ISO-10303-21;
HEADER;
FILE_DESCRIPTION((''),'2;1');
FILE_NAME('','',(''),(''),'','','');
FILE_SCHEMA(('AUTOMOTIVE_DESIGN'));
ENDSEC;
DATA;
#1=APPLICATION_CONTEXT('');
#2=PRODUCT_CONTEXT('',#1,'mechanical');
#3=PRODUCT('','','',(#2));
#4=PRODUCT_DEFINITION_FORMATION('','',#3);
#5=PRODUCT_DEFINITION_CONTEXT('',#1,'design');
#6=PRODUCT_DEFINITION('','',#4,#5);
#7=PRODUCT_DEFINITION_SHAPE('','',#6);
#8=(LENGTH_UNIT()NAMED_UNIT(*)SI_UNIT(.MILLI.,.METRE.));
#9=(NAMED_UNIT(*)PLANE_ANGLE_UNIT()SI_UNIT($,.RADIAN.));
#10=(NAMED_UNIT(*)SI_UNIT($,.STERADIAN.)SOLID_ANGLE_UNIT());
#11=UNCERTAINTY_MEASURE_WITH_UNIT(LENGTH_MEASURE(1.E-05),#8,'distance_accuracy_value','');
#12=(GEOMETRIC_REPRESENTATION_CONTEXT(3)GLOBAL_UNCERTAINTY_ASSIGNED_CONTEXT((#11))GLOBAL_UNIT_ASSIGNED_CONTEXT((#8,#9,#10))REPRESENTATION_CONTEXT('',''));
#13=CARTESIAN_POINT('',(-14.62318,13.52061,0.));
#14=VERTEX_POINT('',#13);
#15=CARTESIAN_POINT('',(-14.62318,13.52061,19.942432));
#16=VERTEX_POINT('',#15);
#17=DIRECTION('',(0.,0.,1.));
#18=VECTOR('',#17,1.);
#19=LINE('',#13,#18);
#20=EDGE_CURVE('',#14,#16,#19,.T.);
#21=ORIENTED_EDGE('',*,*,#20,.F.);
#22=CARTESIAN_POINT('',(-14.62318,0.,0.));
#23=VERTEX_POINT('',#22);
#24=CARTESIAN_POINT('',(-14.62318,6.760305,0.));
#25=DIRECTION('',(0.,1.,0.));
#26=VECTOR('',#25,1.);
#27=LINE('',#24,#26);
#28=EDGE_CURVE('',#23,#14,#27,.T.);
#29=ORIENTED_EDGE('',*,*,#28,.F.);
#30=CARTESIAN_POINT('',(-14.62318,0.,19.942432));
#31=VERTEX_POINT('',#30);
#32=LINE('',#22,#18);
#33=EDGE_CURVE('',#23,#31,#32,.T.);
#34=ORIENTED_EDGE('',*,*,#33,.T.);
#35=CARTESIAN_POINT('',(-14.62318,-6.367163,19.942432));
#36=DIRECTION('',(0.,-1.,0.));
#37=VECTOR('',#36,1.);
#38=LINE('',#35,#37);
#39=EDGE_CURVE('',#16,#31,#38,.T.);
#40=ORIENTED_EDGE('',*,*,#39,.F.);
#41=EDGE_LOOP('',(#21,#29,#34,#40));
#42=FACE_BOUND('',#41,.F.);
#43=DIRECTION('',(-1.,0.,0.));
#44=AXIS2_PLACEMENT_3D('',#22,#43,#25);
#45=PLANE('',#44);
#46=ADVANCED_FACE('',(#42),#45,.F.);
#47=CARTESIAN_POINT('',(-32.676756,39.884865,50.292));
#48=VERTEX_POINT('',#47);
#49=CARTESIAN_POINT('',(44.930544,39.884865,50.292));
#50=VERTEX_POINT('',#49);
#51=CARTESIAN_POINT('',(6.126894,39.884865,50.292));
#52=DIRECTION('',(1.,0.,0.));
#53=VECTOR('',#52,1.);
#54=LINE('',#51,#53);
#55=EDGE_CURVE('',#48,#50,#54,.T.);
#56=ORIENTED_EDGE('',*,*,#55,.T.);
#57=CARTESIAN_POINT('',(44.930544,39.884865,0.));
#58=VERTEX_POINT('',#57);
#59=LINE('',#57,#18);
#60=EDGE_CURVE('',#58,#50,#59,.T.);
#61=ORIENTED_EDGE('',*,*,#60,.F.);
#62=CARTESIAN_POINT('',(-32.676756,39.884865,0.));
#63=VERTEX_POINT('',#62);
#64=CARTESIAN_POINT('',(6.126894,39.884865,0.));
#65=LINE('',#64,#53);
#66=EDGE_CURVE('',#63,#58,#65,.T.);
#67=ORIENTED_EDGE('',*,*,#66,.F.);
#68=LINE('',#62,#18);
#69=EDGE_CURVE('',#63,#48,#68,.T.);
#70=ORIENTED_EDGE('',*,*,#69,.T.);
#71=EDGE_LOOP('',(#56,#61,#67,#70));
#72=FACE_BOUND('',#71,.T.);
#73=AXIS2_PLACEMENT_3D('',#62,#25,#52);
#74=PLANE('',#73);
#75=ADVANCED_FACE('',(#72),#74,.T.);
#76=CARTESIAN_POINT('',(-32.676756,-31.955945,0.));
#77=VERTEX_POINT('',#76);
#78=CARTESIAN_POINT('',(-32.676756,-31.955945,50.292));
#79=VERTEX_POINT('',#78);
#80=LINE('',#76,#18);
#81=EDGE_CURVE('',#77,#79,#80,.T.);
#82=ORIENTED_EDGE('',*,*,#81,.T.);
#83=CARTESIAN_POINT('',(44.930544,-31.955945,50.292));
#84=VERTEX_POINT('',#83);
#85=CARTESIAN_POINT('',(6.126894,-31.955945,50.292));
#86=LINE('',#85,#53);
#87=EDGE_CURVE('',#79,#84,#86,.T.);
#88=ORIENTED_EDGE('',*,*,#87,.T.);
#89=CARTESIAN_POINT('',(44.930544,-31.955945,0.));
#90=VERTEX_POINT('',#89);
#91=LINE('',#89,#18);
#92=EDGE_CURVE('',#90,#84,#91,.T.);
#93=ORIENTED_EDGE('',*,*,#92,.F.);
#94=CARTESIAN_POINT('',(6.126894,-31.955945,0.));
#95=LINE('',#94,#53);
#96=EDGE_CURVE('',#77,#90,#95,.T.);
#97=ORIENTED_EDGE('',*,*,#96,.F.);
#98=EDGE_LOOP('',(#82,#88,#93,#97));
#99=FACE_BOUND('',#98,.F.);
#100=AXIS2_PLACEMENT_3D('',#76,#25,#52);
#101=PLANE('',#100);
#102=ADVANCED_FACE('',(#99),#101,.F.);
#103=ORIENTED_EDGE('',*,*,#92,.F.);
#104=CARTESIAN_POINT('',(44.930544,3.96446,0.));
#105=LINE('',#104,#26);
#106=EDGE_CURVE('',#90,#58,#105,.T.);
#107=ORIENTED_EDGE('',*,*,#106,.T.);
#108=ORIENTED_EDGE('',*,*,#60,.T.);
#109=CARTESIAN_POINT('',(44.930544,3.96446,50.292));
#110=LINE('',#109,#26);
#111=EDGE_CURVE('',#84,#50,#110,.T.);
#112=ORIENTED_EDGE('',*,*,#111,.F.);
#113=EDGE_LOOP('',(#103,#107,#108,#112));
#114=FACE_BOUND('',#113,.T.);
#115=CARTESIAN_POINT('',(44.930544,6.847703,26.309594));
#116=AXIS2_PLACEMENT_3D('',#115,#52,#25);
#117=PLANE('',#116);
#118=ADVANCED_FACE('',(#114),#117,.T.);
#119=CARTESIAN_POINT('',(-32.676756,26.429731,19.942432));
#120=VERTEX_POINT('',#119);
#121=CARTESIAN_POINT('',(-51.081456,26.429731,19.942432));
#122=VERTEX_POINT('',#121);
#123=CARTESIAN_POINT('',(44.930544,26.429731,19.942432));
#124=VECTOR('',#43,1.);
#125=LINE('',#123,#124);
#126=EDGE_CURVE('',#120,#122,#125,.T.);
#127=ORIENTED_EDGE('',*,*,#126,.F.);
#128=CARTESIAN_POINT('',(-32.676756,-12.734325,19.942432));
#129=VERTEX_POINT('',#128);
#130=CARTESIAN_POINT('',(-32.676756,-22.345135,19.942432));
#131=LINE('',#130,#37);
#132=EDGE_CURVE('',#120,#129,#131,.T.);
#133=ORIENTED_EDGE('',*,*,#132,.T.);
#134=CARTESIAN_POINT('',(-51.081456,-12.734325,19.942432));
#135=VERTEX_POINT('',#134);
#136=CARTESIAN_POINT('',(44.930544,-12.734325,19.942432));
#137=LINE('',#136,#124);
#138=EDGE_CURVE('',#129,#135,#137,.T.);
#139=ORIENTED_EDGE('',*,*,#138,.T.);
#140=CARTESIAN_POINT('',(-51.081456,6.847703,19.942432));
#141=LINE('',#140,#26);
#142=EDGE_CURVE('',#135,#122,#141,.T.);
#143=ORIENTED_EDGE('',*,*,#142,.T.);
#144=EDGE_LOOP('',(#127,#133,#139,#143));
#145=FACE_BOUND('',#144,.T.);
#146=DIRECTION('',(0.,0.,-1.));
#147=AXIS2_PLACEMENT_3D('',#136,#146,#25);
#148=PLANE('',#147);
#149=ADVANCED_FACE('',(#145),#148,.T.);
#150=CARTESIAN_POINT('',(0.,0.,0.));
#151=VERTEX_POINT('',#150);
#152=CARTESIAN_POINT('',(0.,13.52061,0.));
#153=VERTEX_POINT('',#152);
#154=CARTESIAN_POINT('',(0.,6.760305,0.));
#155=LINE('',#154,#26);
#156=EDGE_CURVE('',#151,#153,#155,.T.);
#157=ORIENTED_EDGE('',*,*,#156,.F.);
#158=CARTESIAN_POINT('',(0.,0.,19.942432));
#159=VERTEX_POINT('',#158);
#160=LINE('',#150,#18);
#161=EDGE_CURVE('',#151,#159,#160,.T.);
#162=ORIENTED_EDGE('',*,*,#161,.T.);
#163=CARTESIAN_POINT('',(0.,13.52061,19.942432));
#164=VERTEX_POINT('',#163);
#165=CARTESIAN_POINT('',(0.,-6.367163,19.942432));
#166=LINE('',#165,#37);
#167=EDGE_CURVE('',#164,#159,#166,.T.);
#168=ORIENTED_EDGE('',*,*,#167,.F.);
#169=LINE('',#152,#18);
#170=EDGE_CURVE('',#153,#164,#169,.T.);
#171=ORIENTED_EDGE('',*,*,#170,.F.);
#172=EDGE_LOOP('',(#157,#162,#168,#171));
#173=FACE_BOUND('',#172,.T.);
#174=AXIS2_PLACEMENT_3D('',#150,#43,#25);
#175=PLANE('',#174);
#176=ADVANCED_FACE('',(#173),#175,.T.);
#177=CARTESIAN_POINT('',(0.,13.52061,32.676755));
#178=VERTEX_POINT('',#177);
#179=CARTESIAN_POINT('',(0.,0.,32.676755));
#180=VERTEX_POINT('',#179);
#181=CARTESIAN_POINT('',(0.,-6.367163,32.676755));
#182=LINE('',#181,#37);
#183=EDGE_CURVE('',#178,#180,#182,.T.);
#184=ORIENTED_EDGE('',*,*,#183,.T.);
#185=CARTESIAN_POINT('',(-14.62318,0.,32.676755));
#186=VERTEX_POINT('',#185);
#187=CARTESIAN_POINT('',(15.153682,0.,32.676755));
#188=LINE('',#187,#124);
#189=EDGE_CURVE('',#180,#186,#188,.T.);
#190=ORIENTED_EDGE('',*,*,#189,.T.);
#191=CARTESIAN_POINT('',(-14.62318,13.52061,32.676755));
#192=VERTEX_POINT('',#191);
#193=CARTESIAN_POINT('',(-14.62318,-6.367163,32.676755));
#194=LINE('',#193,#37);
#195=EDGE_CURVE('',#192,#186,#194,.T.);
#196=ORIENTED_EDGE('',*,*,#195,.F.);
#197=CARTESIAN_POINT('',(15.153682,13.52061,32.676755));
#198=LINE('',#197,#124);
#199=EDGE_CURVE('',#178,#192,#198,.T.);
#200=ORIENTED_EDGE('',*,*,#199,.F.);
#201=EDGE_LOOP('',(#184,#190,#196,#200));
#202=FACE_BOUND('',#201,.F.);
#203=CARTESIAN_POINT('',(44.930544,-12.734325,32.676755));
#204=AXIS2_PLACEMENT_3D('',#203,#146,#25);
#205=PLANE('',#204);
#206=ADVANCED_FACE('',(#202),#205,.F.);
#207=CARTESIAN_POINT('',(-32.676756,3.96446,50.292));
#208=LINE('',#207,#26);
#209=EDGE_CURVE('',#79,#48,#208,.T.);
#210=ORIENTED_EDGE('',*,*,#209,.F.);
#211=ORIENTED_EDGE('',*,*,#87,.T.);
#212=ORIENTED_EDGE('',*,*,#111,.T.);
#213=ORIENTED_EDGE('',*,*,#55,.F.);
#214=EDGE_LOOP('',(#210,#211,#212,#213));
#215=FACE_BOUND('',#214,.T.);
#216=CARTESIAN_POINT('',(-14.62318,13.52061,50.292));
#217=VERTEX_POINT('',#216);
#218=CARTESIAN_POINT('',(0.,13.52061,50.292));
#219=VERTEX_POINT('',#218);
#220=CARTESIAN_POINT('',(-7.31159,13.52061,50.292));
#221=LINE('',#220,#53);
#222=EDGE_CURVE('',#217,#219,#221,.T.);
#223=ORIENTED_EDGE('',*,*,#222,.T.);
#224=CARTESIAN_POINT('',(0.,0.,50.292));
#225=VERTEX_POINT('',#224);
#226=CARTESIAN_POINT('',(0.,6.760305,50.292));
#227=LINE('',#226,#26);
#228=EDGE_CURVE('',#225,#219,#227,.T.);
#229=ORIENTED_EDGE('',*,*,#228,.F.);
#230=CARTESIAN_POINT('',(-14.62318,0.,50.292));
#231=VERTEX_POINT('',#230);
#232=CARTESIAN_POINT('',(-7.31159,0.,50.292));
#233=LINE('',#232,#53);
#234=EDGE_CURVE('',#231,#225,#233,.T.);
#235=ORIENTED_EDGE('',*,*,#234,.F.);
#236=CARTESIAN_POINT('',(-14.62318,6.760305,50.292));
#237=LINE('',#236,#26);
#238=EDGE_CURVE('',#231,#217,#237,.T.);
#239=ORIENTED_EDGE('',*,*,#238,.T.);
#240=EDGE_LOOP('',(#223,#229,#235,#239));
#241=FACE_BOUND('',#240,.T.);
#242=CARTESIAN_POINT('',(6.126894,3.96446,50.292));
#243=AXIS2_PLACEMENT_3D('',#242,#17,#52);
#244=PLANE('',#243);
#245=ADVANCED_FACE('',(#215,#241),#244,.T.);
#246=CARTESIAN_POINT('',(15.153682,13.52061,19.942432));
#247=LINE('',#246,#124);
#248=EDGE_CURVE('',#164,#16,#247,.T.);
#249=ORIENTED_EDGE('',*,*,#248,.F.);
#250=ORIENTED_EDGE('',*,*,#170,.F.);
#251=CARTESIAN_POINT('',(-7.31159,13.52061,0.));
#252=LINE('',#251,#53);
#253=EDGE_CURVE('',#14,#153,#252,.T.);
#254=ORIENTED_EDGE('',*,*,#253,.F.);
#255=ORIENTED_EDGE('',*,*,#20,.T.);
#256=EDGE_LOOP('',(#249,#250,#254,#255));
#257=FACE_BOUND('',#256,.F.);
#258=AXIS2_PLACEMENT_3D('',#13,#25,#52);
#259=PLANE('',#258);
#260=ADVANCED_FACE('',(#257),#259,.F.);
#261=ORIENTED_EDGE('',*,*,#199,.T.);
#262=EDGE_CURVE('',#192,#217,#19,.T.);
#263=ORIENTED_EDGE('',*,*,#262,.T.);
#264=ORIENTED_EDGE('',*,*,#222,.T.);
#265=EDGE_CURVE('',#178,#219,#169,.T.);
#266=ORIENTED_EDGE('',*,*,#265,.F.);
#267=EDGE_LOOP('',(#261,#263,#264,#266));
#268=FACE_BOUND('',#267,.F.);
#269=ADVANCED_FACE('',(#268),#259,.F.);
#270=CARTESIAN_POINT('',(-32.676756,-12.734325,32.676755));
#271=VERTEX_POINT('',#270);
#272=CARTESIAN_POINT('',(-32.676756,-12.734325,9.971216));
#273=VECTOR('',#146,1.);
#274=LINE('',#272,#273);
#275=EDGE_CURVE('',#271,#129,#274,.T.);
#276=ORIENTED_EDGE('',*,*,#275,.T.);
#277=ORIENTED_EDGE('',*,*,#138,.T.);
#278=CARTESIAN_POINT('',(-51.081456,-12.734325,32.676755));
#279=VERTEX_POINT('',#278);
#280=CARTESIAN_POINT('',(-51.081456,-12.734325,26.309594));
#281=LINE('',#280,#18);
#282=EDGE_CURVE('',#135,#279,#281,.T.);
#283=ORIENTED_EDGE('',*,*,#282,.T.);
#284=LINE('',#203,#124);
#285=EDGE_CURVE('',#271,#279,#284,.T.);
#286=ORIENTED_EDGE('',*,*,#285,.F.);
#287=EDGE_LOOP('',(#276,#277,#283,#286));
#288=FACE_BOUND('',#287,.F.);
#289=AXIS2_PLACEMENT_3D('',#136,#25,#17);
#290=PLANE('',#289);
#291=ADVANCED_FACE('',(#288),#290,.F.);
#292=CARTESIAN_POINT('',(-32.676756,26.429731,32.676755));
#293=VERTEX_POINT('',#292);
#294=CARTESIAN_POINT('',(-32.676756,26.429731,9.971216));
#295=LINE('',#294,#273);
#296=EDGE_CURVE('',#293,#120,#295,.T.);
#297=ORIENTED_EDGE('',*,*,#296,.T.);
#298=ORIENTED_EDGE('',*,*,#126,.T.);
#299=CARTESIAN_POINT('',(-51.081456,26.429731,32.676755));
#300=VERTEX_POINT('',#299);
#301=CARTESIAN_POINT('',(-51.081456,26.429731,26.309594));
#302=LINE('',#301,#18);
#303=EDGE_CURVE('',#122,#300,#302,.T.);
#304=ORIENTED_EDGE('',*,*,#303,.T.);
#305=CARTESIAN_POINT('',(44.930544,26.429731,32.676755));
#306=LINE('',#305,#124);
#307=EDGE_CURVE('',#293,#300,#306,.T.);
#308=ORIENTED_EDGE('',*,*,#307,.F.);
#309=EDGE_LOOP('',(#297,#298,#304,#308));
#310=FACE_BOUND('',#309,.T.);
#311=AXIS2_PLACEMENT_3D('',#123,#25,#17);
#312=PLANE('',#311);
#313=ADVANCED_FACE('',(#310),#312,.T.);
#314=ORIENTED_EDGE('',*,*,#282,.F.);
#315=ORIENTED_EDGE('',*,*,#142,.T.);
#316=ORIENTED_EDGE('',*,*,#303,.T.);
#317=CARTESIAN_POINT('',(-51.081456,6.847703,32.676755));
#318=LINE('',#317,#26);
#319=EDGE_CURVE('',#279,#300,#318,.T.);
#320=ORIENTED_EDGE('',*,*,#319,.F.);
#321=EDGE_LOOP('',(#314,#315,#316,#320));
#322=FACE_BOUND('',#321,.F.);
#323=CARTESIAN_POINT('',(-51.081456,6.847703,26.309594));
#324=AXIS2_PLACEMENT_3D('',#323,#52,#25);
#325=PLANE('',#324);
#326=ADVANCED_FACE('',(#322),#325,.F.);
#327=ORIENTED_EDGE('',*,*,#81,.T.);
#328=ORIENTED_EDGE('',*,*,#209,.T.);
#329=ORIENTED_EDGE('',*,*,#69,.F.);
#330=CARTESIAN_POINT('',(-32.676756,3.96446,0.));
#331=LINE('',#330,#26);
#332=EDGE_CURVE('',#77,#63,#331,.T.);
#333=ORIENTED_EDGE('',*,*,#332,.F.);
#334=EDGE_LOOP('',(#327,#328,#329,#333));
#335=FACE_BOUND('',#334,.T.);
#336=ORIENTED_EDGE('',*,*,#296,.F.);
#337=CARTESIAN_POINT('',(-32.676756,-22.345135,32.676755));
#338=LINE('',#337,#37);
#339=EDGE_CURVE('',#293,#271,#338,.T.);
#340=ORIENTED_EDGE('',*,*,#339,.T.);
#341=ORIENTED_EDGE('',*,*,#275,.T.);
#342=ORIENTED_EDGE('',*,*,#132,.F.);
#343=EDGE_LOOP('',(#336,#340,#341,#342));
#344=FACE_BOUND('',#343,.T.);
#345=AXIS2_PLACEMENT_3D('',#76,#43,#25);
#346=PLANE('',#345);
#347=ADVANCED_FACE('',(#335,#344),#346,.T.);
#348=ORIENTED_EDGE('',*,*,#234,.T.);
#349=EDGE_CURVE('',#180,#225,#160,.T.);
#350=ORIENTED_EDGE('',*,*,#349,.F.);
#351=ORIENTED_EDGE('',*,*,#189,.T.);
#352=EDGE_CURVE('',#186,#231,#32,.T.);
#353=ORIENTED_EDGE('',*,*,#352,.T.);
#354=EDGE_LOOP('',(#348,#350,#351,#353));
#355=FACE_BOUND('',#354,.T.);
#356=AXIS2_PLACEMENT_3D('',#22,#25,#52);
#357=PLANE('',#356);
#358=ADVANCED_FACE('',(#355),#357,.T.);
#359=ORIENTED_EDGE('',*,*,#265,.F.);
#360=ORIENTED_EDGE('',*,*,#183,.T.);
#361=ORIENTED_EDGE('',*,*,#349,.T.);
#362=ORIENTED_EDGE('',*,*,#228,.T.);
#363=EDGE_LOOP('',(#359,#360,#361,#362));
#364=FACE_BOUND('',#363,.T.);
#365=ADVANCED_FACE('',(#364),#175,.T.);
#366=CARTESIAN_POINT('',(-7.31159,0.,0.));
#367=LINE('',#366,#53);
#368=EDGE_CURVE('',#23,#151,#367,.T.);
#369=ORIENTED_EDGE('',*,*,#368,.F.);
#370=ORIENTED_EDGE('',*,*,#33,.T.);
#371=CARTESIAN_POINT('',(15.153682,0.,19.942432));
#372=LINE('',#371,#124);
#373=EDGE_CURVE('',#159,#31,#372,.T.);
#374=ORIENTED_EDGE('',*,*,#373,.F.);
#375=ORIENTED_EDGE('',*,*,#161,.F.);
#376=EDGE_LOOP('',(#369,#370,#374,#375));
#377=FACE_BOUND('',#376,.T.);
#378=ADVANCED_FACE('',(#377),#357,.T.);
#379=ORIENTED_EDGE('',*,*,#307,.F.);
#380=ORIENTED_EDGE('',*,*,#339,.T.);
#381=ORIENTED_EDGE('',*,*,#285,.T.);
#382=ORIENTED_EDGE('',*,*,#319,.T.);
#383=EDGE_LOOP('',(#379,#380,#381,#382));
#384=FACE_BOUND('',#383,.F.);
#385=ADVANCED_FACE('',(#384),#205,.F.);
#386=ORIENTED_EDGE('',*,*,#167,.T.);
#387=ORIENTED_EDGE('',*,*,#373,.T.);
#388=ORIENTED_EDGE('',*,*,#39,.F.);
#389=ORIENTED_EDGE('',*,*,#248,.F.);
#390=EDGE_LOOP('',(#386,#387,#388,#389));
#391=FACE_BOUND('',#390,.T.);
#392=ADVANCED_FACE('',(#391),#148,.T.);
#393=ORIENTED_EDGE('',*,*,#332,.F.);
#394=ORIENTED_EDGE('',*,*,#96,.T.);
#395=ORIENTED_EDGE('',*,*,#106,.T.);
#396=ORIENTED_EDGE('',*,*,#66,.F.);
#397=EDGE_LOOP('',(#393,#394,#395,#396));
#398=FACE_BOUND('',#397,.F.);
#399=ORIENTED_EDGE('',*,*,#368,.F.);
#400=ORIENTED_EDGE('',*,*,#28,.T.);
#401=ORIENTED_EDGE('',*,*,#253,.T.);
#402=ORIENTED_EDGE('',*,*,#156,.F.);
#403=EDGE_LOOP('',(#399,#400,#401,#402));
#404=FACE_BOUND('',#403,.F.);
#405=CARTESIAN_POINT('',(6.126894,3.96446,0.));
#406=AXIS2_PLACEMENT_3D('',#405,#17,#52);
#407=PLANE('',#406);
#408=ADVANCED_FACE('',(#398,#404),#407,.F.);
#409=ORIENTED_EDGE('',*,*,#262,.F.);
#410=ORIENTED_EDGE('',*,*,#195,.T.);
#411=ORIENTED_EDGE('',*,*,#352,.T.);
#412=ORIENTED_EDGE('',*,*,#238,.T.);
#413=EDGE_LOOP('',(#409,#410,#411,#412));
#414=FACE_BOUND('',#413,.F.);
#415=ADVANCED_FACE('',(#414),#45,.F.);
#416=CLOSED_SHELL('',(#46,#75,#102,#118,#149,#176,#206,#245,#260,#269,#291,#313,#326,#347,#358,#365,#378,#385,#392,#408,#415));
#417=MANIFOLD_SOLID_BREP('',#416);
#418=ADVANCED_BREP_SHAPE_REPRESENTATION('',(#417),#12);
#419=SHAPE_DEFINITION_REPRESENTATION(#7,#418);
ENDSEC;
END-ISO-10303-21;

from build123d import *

# Parameters (mm, degrees)
F0_W     = 77.6073
F0_H     = 71.840811
F0_W_2   = 14.62318
F0_H_2   = 13.52061
F1_DEPTH = 50.292
F2_W     = 39.164056
F2_H     = 12.734323
F3_DEPTH = 96.012


with BuildPart() as f1:
    # F0 (on Top) → F1 (new body)
    with BuildSketch(Plane.XY):
        with Locations((6.126894, 3.96446)):
            Rectangle(F0_W, F0_H)
        with Locations((-7.31159, 6.760305)):
            Rectangle(F0_W_2, F0_H_2, mode=Mode.SUBTRACT)
    extrude(amount=F1_DEPTH)

    # F2 (on face) → F3 (join)
    with BuildSketch(Plane.YZ.offset(44.930544)):
        with Locations((6.847703, 26.309594)):
            Rectangle(F2_W, F2_H)
    extrude(amount=-F3_DEPTH)


solid = f1.part
